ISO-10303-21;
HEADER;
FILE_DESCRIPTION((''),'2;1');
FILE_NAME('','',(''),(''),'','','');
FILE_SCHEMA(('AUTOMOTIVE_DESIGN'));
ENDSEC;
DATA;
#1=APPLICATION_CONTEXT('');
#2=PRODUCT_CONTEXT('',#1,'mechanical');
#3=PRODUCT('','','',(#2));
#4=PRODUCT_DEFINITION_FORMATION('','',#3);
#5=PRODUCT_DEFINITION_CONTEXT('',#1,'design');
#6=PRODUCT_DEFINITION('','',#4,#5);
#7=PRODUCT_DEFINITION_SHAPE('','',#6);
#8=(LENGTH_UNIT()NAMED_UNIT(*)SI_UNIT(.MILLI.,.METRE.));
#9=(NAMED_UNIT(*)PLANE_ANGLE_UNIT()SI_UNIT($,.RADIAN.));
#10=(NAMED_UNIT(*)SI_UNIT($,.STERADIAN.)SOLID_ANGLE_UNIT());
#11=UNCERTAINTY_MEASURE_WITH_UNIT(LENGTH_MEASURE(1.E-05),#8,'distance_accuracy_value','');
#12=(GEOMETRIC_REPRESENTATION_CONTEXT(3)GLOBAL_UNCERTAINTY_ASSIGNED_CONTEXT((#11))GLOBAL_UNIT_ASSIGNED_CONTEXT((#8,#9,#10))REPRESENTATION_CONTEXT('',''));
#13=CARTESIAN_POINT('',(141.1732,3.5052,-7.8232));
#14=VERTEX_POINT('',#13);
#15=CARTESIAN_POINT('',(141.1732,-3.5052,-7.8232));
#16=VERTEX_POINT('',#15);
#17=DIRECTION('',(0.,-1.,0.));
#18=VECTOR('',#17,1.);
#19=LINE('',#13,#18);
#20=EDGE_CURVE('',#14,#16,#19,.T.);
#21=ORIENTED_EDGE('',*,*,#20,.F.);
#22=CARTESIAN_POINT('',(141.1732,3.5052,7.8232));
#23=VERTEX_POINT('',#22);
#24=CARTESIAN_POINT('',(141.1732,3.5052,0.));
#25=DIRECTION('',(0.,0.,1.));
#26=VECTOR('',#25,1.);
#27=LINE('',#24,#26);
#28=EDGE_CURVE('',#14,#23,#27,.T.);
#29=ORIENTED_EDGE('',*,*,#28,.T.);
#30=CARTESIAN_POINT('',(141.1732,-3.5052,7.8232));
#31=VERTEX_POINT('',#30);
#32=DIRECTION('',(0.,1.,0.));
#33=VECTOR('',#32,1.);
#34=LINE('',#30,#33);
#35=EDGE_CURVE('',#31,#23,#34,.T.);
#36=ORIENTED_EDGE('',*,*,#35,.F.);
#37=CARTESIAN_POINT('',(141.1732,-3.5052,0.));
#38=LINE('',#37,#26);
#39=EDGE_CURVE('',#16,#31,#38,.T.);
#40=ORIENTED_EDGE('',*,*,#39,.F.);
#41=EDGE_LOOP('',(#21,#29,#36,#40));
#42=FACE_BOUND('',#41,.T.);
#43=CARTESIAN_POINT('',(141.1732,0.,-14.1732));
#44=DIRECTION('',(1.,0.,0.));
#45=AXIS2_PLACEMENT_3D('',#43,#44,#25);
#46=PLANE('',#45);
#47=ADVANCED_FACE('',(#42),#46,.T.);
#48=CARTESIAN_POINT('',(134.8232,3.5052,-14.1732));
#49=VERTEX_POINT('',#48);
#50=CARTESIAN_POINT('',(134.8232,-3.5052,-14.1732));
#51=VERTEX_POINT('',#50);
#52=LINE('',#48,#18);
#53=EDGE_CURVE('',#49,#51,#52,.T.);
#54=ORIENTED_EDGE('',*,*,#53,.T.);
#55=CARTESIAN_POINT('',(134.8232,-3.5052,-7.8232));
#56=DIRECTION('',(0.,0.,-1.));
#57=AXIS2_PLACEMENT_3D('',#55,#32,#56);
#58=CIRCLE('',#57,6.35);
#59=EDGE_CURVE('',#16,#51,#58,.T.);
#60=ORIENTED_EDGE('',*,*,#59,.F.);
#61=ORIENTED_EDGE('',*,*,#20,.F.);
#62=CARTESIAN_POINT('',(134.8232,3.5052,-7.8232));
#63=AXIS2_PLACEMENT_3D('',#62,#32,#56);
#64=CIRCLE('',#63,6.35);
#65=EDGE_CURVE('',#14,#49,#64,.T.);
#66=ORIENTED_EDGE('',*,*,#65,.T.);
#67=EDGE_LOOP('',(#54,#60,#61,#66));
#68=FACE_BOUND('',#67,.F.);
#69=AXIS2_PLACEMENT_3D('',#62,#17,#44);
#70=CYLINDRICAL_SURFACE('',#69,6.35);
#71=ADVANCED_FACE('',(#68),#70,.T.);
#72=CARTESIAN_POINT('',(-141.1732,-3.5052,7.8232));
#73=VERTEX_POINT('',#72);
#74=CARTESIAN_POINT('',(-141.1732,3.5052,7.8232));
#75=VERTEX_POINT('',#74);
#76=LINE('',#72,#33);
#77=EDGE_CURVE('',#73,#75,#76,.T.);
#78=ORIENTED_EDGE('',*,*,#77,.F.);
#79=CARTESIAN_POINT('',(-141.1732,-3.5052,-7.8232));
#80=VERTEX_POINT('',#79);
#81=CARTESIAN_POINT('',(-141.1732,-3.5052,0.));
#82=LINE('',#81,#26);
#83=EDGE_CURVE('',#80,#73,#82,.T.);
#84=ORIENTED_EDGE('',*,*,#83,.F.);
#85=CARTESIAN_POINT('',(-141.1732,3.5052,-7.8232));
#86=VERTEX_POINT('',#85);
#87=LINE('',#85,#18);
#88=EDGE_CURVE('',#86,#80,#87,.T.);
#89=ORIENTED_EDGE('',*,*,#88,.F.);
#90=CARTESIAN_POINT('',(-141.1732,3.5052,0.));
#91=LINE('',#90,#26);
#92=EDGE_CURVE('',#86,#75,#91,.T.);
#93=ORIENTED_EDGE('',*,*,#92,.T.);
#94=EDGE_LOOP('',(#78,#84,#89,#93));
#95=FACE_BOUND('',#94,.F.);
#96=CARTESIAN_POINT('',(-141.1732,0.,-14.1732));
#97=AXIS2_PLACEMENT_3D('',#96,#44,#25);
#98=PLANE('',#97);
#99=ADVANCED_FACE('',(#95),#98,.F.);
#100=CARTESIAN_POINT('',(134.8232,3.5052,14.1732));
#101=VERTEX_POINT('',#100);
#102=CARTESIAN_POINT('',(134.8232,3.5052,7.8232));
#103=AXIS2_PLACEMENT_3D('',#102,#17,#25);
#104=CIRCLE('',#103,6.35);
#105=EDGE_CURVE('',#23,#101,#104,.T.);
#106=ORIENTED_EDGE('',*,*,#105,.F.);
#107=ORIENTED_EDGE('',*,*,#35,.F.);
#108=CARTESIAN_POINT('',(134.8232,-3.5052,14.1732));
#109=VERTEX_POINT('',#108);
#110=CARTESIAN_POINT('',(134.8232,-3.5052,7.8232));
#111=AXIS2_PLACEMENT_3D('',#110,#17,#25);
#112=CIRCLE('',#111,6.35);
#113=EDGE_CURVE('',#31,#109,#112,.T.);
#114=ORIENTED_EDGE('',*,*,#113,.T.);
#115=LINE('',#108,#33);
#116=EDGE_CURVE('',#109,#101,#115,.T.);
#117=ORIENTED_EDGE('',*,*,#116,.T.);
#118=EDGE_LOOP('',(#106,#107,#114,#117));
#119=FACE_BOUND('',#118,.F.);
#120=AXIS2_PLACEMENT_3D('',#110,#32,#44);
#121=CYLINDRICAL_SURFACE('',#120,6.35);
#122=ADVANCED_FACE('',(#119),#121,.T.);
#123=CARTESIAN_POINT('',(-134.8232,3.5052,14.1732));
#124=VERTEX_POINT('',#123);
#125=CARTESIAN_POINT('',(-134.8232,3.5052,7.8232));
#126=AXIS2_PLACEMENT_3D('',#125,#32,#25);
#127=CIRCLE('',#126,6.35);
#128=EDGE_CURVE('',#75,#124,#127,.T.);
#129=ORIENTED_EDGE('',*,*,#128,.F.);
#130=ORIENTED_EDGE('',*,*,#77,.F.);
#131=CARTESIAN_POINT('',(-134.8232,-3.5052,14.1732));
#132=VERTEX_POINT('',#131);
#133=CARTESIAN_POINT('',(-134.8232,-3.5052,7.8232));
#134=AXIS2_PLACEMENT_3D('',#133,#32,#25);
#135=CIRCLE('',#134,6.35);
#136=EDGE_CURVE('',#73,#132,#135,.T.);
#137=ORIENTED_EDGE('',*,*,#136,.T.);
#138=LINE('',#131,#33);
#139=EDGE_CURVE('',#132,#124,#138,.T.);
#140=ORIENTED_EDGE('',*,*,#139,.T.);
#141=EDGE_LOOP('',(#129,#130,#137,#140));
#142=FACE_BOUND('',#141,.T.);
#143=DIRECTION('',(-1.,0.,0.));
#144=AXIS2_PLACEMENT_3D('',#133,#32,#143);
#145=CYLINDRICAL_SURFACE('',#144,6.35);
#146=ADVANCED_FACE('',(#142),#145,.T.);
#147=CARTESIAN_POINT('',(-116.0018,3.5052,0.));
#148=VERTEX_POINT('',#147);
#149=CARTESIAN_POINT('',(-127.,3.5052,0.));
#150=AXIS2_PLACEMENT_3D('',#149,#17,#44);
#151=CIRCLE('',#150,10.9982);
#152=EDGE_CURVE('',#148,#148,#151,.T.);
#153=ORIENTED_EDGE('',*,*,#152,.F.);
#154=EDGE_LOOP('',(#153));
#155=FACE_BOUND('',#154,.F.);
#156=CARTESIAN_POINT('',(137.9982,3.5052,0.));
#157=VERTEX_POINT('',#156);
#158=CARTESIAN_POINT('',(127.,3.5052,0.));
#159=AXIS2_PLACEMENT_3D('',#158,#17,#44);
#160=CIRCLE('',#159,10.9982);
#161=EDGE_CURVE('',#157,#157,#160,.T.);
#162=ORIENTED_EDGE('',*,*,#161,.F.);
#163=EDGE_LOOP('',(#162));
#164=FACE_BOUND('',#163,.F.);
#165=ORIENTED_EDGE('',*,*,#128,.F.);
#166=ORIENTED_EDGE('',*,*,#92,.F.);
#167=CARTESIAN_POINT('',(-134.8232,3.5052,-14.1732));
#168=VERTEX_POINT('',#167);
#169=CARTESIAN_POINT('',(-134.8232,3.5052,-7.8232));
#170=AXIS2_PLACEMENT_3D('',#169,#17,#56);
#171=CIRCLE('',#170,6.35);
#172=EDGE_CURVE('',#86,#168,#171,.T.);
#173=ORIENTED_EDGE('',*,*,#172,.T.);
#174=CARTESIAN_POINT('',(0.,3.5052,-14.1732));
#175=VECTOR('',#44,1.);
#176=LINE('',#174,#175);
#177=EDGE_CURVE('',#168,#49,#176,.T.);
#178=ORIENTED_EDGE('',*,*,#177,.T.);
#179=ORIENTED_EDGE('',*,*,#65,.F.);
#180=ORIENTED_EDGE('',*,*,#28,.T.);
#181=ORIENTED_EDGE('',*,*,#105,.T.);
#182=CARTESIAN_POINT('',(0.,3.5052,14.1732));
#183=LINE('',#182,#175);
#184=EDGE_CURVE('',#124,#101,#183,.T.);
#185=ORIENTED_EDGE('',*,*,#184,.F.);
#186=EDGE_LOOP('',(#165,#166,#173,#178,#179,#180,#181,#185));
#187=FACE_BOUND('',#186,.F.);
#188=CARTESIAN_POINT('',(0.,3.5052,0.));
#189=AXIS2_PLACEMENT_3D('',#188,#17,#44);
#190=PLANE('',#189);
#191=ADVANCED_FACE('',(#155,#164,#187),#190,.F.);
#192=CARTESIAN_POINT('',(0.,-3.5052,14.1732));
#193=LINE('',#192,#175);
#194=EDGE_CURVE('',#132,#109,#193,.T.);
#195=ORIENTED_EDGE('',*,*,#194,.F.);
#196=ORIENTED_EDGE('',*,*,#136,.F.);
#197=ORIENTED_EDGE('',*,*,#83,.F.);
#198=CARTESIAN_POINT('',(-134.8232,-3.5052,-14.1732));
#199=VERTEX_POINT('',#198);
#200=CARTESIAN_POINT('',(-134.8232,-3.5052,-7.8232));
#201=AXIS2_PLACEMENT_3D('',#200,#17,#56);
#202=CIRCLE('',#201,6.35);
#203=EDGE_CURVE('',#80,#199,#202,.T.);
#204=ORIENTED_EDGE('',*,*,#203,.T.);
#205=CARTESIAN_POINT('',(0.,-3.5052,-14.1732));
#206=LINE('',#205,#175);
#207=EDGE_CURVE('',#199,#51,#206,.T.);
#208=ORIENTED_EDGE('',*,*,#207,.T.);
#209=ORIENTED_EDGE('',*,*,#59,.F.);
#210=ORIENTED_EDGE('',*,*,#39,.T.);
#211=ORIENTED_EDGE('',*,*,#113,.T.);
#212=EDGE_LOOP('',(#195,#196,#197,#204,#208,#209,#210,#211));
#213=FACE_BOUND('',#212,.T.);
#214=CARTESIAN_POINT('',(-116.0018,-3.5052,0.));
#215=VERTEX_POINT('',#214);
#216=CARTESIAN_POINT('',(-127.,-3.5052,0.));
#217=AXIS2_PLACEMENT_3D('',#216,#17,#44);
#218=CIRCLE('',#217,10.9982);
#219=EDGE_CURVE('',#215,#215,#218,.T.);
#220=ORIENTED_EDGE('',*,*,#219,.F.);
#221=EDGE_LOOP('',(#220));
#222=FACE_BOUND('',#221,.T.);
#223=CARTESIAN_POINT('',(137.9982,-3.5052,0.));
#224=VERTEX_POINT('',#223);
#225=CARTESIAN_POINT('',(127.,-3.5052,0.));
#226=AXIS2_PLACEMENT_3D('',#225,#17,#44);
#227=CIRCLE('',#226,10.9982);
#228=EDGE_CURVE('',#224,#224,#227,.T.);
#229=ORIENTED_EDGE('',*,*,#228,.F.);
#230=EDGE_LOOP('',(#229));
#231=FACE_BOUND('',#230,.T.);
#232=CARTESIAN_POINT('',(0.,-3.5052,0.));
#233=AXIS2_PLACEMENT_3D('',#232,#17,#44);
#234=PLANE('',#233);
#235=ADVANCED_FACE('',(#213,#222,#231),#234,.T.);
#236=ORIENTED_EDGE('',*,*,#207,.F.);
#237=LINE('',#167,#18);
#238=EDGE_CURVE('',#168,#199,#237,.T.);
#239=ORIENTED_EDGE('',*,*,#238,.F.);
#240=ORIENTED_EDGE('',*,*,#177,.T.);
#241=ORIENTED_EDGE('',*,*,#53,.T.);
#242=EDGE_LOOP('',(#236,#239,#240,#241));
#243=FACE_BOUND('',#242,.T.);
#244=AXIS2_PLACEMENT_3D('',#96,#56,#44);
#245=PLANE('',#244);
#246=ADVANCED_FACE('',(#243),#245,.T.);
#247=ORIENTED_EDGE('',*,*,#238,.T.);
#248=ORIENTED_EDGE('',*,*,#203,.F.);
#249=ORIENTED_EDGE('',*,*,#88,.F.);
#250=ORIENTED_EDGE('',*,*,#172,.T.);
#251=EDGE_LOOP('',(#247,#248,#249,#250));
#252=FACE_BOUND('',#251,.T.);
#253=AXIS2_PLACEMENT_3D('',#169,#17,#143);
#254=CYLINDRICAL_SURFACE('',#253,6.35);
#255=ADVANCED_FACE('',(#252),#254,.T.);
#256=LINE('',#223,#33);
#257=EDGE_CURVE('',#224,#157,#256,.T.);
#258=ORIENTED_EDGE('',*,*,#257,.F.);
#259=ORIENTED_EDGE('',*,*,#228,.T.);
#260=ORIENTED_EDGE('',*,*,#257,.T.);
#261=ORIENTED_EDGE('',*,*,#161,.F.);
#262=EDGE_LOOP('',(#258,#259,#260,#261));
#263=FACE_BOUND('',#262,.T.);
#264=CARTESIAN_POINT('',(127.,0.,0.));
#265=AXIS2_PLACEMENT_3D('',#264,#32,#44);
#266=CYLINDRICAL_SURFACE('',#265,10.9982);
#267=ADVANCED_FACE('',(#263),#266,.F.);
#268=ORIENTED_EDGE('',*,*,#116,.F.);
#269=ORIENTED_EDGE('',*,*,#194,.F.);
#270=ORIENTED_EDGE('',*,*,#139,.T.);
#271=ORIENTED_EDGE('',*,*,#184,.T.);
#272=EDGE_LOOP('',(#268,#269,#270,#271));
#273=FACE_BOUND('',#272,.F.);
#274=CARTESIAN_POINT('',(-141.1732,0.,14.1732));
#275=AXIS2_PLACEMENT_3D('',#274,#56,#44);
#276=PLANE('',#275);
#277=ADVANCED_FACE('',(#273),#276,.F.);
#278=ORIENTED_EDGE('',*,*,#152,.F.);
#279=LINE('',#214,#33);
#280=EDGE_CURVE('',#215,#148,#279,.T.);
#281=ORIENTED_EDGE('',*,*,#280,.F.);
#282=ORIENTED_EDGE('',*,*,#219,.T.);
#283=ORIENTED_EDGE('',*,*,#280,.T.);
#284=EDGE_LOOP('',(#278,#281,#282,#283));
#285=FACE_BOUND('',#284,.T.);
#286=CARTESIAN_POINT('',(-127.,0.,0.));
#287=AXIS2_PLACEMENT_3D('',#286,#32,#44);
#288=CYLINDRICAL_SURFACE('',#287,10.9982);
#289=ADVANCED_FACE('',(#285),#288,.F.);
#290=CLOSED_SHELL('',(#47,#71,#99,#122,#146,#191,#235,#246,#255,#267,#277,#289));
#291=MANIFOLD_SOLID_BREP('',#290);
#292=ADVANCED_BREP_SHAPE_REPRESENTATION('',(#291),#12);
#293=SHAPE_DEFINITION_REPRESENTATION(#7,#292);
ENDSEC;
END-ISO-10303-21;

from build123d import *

# Parameters (mm, degrees)
F0_W     = 282.3464
F0_H     = 28.3464
F0_R     = 10.9982
F1_DEPTH = 3.5052
F2_R     = 6.35


with BuildPart() as f1:
    # F0 (on Front) → F1 (new body, symmetric)
    with BuildSketch(Plane.XZ):
        Rectangle(F0_W, F0_H)
        with Locations((-127, 0)):
            Circle(F0_R, mode=Mode.SUBTRACT)
        with Locations((127, 0)):
            Circle(F0_R, mode=Mode.SUBTRACT)
    extrude(amount=F1_DEPTH, both=True)

    # F2
    f2_edges = [f1.edges().sort_by_distance(p)[0] for p in [
        (-141.1732, 0, 14.1732),
        (-141.1732, 0, -14.1732),
        (141.1732, 0, 14.1732),
        (141.1732, 0, -14.1732),
    ]]
    fillet(f2_edges, radius=F2_R)


solid = f1.part
